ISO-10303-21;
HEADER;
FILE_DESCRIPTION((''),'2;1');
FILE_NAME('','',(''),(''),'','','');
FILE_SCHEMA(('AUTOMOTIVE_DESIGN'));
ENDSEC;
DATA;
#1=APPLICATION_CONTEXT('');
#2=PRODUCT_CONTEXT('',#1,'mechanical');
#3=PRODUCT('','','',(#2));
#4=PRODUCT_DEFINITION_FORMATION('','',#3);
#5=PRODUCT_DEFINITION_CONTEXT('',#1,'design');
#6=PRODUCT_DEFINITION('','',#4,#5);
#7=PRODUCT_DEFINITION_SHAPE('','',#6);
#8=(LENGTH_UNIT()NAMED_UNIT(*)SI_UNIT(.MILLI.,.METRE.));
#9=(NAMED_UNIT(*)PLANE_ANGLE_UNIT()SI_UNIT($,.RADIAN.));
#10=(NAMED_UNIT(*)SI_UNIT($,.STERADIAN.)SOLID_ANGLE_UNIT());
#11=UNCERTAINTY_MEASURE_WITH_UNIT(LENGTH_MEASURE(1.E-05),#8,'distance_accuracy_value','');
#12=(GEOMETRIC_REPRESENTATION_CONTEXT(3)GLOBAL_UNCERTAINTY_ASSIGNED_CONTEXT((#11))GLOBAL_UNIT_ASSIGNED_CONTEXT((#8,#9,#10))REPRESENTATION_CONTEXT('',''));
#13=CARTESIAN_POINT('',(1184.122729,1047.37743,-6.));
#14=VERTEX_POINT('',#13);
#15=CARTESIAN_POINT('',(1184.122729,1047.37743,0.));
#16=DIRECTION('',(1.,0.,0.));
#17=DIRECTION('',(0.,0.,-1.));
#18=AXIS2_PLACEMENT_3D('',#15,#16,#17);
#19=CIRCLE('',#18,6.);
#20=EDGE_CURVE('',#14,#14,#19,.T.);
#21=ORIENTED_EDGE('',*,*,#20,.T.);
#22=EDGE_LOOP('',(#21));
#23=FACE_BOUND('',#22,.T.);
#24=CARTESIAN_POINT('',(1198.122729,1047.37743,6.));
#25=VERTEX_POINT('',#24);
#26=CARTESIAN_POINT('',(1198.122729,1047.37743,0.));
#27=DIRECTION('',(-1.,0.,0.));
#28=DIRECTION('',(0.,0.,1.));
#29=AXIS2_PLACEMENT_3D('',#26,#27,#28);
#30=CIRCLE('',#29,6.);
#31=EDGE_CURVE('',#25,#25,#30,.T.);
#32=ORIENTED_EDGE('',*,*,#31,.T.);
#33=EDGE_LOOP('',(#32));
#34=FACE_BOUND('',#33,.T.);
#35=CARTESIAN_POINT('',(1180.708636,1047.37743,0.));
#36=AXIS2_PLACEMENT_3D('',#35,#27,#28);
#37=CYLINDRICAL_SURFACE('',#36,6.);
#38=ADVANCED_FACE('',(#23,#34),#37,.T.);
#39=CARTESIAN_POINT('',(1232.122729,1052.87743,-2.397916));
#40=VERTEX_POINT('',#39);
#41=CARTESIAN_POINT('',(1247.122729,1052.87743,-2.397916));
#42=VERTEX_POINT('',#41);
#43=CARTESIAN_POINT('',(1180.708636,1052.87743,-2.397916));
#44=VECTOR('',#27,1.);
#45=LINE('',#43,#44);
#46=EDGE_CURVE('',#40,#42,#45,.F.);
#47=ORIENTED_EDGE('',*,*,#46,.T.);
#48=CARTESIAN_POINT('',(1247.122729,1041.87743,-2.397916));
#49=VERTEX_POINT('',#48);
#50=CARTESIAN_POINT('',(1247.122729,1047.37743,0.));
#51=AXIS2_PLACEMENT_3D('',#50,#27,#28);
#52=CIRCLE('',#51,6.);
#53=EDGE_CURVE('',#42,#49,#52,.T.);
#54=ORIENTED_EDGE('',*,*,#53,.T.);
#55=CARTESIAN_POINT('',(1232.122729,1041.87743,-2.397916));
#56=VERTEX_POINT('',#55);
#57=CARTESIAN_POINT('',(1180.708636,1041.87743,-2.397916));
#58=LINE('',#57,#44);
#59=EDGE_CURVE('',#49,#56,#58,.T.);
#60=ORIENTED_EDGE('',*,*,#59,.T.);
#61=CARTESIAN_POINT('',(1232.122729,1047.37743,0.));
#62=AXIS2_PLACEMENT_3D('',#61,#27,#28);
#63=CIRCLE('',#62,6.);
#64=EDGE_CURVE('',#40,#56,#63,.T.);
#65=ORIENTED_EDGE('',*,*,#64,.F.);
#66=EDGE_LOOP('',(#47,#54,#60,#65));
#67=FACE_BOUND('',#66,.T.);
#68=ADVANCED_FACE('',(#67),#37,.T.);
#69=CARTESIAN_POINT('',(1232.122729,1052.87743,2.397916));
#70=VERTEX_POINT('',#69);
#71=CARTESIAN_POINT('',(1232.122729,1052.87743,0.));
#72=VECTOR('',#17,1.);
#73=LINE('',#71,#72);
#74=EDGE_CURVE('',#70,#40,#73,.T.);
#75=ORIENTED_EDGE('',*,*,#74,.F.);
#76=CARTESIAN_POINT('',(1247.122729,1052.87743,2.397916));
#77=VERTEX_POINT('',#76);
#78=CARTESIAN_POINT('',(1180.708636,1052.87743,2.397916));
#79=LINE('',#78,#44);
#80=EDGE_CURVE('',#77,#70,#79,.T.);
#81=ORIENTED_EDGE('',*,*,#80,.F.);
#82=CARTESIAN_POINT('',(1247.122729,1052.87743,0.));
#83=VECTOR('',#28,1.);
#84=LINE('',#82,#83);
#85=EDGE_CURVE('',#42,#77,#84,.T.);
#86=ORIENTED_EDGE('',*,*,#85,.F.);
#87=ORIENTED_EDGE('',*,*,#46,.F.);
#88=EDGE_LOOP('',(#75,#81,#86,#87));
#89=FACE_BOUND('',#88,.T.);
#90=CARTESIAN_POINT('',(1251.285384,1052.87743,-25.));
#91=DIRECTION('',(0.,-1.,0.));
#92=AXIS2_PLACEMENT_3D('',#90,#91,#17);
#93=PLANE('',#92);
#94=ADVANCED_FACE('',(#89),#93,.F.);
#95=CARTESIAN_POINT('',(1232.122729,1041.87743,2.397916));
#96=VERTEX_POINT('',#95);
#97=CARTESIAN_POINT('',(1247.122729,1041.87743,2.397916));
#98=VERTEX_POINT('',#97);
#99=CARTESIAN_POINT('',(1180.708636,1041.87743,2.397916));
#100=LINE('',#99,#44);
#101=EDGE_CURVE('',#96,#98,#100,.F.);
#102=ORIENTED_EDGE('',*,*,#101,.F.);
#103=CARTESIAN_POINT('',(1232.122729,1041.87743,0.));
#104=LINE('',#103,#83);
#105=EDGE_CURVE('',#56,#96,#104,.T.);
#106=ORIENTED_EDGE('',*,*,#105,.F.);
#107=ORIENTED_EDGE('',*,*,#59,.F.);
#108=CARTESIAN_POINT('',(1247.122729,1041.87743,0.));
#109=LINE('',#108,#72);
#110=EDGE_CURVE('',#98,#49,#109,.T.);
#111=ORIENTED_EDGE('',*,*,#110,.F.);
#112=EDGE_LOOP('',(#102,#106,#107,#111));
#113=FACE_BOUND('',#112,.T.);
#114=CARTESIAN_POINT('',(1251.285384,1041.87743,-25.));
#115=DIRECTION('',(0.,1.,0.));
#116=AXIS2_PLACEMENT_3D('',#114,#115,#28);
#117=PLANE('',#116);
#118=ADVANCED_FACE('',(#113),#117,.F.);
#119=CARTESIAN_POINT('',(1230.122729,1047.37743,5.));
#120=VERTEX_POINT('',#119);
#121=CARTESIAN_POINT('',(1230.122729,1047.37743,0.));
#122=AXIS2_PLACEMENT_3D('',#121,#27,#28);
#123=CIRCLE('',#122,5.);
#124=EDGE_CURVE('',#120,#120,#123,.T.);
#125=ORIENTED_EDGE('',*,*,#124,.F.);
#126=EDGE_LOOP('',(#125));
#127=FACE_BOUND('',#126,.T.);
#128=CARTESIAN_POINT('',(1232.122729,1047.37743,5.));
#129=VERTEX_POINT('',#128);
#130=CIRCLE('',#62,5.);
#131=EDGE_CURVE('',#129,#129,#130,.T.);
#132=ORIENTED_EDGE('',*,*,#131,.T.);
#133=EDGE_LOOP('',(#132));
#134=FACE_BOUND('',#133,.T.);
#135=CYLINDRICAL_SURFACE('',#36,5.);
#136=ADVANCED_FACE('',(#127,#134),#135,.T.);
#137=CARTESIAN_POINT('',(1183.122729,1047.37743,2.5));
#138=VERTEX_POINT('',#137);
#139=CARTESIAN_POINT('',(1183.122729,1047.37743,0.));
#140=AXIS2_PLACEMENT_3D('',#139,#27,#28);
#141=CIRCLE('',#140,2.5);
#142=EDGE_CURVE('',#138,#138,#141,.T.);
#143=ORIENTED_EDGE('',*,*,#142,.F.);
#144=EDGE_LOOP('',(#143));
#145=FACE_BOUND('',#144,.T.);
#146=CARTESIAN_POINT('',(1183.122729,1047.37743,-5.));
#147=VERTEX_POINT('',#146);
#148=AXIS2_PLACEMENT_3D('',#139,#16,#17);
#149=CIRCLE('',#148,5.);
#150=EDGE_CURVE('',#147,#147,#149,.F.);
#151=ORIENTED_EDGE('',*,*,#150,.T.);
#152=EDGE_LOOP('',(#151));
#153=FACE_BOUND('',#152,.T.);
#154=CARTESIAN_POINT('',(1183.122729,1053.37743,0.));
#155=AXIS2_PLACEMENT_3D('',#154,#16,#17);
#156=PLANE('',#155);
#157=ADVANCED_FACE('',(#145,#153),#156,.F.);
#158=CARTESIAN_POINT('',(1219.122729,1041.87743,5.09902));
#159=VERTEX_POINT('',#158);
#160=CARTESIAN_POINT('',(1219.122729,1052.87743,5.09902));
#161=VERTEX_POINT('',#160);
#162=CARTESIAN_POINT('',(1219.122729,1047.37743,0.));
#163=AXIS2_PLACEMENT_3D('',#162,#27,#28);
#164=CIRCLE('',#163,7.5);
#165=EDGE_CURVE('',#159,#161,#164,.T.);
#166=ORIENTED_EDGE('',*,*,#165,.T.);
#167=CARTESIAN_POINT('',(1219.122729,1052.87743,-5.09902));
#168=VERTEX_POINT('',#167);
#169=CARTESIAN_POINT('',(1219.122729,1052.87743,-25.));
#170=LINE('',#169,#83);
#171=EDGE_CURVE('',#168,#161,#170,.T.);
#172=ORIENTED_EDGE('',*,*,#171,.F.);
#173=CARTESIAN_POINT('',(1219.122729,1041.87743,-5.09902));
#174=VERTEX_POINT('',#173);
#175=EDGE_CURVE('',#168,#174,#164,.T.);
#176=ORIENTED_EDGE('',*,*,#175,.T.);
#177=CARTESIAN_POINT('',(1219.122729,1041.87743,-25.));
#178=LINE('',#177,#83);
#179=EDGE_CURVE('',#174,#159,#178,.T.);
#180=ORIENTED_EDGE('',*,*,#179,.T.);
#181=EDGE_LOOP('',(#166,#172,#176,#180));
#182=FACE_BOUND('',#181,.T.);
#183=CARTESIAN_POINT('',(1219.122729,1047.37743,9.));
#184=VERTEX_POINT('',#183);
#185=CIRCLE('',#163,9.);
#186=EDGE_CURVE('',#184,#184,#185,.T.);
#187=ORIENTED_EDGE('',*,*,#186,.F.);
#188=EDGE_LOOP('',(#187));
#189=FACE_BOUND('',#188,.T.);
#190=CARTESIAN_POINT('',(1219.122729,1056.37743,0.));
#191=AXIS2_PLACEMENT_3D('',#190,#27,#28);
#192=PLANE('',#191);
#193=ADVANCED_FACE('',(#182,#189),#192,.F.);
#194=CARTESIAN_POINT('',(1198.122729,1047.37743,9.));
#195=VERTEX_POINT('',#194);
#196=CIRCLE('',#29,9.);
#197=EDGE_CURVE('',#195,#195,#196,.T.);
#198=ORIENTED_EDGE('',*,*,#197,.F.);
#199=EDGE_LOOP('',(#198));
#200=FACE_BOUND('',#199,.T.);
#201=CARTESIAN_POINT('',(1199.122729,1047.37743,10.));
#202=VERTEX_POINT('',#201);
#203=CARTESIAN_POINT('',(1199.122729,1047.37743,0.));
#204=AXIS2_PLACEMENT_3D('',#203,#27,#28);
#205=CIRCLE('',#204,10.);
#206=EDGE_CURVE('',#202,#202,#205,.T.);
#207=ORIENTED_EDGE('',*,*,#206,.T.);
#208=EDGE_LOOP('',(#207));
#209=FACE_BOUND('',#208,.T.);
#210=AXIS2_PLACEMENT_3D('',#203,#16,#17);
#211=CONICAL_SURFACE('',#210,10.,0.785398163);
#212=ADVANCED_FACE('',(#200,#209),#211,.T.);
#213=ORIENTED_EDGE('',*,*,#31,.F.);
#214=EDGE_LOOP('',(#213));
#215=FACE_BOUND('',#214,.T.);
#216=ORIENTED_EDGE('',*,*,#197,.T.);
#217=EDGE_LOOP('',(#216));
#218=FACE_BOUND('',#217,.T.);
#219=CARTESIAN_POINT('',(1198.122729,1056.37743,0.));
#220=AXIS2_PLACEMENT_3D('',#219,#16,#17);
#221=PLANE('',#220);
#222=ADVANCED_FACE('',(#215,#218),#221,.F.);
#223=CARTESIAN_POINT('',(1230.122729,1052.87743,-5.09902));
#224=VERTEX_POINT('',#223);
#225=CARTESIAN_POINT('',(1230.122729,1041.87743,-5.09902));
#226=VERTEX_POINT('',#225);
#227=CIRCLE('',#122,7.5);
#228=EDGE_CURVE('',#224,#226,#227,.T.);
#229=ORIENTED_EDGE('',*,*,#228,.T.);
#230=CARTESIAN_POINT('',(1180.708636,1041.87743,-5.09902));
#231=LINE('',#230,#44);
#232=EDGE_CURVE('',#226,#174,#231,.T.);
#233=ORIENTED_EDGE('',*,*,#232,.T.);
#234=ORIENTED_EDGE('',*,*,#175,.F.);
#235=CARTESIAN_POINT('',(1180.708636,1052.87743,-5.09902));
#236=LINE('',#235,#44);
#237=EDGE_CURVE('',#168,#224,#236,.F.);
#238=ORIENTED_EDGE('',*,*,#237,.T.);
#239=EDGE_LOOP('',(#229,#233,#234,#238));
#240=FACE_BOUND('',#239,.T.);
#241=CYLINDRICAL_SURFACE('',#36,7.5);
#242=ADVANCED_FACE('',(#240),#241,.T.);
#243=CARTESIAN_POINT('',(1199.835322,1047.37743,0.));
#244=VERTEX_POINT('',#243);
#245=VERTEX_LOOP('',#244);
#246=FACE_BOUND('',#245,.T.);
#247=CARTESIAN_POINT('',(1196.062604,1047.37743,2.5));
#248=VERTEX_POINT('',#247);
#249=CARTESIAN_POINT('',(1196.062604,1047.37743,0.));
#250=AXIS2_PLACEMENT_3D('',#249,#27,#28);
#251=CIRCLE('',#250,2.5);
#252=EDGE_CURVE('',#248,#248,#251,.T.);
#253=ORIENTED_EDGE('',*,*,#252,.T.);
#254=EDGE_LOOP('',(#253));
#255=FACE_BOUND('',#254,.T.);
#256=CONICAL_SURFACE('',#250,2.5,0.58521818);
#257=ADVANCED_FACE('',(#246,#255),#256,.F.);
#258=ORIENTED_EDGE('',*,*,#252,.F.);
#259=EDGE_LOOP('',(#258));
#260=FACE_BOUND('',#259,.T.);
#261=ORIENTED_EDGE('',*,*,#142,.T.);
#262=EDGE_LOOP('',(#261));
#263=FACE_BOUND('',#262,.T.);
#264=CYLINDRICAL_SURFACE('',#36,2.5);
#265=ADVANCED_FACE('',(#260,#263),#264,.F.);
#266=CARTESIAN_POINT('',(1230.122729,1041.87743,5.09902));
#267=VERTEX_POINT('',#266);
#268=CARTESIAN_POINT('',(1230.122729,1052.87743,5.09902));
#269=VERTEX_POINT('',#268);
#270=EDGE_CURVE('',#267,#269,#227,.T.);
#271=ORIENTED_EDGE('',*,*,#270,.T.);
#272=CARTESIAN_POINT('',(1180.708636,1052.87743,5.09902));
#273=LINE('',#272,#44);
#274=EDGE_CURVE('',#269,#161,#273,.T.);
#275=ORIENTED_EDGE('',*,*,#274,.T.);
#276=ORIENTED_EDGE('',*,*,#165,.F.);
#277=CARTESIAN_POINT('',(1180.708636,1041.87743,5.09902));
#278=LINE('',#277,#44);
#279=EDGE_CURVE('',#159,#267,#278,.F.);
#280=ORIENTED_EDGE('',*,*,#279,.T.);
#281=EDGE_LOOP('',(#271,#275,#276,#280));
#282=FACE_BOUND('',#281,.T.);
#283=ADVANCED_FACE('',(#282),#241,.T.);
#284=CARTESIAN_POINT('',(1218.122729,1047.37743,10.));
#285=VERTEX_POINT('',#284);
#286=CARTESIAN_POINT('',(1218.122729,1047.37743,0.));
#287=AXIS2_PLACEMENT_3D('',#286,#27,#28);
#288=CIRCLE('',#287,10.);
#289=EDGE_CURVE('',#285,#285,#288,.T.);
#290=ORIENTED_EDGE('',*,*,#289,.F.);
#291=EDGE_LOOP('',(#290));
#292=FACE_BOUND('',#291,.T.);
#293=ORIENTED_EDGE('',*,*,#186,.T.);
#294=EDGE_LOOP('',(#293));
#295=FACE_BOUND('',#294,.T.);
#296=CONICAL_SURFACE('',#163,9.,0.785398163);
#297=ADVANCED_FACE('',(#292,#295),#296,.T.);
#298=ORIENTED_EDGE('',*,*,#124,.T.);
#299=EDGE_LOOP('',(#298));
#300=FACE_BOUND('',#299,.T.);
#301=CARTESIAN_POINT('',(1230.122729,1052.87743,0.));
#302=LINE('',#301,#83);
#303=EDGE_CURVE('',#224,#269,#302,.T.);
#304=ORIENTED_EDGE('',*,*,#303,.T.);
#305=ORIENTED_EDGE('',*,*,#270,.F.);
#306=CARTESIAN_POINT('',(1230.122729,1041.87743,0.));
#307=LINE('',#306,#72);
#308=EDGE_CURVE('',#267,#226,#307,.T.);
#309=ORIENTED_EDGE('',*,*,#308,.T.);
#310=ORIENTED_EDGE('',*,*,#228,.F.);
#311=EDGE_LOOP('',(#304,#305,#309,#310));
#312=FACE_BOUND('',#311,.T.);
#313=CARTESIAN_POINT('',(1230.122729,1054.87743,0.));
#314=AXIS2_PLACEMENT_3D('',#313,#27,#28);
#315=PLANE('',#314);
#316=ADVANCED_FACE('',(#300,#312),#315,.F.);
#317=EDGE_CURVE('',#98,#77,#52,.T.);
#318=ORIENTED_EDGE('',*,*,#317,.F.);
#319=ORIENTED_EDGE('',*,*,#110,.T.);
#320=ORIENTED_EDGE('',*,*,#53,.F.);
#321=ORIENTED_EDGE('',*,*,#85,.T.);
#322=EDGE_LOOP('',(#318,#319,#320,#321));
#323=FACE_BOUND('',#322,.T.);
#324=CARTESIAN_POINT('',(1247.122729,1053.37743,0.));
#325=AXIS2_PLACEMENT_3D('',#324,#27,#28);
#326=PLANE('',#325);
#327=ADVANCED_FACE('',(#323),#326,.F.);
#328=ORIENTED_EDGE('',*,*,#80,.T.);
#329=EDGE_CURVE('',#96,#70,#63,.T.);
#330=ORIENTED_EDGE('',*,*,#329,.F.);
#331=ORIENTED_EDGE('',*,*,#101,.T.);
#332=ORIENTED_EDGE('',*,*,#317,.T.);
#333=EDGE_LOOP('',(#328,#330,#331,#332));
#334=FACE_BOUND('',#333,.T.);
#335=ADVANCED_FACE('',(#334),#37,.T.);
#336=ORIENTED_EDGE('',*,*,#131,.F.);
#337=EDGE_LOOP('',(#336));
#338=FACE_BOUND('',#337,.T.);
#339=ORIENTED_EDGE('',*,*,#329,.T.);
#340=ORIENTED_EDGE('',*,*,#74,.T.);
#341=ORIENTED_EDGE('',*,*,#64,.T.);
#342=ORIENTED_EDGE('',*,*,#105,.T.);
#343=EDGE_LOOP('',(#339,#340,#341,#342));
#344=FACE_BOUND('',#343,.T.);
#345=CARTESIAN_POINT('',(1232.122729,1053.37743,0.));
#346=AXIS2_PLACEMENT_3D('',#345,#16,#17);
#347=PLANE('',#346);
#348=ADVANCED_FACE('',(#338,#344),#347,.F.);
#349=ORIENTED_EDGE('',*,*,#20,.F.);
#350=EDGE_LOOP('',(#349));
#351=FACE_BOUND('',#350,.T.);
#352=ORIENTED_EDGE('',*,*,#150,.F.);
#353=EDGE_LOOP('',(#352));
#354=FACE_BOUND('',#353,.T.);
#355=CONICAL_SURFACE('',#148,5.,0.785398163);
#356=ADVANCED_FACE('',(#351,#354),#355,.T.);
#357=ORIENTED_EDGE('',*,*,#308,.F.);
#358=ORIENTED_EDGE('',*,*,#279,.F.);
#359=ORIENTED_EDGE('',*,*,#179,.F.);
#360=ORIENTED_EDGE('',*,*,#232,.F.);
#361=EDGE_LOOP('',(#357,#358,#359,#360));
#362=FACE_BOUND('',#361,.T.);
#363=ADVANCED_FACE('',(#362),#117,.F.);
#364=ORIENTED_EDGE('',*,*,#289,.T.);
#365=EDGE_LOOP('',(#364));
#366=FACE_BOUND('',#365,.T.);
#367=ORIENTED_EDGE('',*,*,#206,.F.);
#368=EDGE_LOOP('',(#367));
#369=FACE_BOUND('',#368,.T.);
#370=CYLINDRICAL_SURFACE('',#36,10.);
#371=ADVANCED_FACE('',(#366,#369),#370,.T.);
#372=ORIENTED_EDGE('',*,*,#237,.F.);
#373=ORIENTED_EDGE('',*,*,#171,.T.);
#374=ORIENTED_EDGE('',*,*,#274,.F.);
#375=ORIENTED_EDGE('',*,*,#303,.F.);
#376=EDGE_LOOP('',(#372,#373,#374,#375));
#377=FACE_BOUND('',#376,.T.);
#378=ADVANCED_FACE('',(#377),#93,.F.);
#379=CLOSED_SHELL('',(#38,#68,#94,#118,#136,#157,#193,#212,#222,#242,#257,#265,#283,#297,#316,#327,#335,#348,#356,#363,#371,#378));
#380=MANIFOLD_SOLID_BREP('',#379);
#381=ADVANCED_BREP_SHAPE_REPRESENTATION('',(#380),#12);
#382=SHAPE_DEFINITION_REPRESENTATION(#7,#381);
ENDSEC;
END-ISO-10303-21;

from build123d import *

# Parameters (mm, degrees)
CHAMFER_1_SIZE      = 1
SKETCH_6_W          = 32.162654491
SKETCH_6_H          = 6.23657893
SKETCH_6_H_2        = 6.236578929
CUT_EXTRUDE_1_DEPTH = 25


with BuildPart() as part:
    # 草图1 → 旋转6 (revolve)
    with BuildSketch(Plane.XY, mode=Mode.PRIVATE) as revolve_6_sk:
        Polygon((1183.122729102, 1053.377429506), (1198.122729102, 1053.377429506), (1198.122729102, 1056.377429506), (1199.122729102, 1057.377429506), (1218.122729102, 1057.377429506), (1219.122729102, 1056.377429506), (1219.122729102, 1054.877429506), (1230.122729102, 1054.877429506), (1230.122729102, 1052.377429506), (1232.122729102, 1052.377429506), (1232.122729102, 1053.377429506), (1247.122729102, 1053.377429506), (1247.122729102, 1047.377429506), (1199.835322309, 1047.377429506), (1196.062603927, 1049.877429506), (1183.122729102, 1049.877429506), align=None)
    revolve(revolve_6_sk.sketch.rotate(Axis((1180.708635967, 1047.377429506, 0), (1, 0, 0)), 90), axis=Axis((1180.708635967, 1047.377429506, 0), (1, 0, 0)))

    # 倒角1
    chamfer_1_edges = [part.edges().sort_by_distance(p)[0] for p in [
        (1183.122729102, 1047.377429506, -6),
    ]]
    chamfer(chamfer_1_edges, length=CHAMFER_1_SIZE)

    # 草图6 → 拉伸1 (cut, symmetric)
    with BuildSketch(Plane.XY):
        with Locations((1235.204056347, 1055.995718971)):
            Rectangle(SKETCH_6_W, SKETCH_6_H)
        with Locations((1235.204056347, 1038.759140041)):
            Rectangle(SKETCH_6_W, SKETCH_6_H_2)
    extrude(amount=CUT_EXTRUDE_1_DEPTH, both=True, mode=Mode.SUBTRACT)


solid = part.part
